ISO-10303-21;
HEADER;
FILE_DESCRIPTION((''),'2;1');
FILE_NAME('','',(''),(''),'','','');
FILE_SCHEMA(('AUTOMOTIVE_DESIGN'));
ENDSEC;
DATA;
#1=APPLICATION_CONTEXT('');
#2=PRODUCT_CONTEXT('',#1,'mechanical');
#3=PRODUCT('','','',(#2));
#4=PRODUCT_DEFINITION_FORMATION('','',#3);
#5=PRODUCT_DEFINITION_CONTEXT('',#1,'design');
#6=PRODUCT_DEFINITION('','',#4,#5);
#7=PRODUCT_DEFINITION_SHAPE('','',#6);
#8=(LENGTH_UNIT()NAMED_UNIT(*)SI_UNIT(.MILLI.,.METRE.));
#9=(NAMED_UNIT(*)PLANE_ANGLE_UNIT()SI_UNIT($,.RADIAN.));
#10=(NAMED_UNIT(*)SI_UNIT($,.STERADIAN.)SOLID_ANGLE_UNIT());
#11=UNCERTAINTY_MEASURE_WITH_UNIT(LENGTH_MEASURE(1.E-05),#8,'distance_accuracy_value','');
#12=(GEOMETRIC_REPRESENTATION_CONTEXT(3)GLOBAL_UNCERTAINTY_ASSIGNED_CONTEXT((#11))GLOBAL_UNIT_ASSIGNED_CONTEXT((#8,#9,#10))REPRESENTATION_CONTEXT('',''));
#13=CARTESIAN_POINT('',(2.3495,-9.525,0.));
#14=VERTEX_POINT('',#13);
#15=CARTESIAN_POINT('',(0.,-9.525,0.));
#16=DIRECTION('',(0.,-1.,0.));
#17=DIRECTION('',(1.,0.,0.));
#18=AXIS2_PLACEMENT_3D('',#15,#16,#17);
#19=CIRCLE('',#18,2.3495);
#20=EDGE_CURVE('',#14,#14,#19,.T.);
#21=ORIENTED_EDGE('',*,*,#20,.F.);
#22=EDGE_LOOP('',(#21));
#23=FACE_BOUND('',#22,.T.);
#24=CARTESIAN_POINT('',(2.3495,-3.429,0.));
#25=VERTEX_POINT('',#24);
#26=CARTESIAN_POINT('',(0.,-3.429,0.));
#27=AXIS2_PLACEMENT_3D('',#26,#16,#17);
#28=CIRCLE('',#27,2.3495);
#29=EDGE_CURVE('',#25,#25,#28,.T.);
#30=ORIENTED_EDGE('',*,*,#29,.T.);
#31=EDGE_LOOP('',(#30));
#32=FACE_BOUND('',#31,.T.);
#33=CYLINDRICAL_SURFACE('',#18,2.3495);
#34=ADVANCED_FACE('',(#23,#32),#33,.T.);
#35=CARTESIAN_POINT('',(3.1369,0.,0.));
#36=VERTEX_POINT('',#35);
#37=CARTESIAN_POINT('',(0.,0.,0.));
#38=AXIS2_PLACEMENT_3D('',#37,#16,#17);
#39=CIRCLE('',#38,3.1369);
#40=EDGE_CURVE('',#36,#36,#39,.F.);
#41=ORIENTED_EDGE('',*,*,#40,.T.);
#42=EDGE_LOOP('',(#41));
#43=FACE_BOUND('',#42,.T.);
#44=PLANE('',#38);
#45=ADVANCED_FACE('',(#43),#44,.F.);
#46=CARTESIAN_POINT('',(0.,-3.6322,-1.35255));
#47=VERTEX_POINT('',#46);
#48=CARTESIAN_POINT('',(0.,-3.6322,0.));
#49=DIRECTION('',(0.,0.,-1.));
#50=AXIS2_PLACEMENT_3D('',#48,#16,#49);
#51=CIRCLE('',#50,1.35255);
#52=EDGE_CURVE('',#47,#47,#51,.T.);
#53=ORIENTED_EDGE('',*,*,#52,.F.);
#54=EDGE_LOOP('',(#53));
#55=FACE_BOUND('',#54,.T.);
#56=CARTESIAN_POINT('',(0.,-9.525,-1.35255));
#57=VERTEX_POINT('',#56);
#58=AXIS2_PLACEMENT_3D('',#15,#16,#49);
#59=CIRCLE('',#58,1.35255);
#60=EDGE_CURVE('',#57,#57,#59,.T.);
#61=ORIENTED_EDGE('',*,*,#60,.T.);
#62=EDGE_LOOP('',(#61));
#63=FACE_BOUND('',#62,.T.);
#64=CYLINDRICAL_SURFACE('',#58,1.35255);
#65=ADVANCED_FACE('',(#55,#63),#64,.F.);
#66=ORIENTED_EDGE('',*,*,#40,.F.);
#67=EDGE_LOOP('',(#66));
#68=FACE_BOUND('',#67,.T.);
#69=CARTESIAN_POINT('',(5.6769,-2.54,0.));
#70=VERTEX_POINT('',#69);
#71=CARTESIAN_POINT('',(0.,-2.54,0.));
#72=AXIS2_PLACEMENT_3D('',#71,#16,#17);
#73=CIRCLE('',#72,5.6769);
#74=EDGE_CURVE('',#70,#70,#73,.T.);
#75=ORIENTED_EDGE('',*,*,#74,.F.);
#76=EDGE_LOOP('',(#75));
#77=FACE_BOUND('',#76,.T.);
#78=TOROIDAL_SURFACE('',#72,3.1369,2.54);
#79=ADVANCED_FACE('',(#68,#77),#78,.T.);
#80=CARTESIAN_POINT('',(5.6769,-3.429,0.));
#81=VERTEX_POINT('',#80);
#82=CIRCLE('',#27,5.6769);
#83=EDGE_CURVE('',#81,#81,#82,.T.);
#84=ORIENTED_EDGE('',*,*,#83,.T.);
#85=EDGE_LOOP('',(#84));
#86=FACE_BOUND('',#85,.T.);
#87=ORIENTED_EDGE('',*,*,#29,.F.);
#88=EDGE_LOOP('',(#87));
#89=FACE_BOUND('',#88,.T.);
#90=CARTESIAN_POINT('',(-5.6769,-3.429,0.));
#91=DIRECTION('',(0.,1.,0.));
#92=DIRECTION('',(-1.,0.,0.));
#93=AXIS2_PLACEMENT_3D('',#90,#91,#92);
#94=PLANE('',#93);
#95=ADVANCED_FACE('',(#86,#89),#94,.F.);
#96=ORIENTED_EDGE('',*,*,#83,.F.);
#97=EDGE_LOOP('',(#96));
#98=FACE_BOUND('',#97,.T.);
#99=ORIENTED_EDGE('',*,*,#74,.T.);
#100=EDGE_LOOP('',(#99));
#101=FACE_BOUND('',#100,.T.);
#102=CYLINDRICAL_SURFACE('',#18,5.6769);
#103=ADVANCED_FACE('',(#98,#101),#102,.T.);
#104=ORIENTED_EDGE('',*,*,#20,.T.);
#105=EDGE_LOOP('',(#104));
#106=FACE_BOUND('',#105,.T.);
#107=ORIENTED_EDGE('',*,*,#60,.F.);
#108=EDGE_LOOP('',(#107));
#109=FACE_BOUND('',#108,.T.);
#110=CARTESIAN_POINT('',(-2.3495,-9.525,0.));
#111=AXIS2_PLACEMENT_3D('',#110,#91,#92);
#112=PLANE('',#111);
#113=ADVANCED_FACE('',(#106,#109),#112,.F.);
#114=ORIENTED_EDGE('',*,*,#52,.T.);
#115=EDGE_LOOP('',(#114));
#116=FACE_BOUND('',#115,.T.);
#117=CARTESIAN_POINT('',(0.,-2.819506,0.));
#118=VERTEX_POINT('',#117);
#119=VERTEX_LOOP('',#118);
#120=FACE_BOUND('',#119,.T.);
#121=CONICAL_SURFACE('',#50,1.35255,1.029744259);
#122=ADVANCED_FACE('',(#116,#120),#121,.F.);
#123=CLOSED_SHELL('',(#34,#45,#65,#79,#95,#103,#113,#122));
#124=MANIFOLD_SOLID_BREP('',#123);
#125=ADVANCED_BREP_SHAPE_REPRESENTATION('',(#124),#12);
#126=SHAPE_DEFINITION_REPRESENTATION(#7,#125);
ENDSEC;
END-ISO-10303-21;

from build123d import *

# Parameters (mm, degrees)
FILLET1_R                 = 2.54
F_6_32_TAPPED_HOLE1_D     = 2.7051
F_6_32_TAPPED_HOLE1_DEPTH = 5.8928
F_6_32_TAPPED_HOLE1_TIP   = 0.81269403


with BuildPart() as part:
    # Sketch1 → Revolve1 (revolve)
    with BuildSketch(Plane.XY, mode=Mode.PRIVATE) as revolve1_sk:
        Polygon((0, 0), (-5.6769, 0), (-5.6769, -3.429), (-2.3495, -3.429), (-2.3495, -9.525), (0, -9.525), align=None)
    revolve(revolve1_sk.sketch.rotate(Axis((0, -9.525, 0), (0, 1, 0)), 180), axis=Axis((0, -9.525, 0), (0, 1, 0)))

    # Fillet1
    fillet1_edges = [part.edges().sort_by_distance(p)[0] for p in [
        (-5.6769, 0, 0),
    ]]
    fillet(fillet1_edges, radius=FILLET1_R)

    # #6-32 Tapped Hole1
    with Locations(Plane.XZ.offset(9.525)):
        with Locations((0, 0)):
            Hole(F_6_32_TAPPED_HOLE1_D / 2, depth=F_6_32_TAPPED_HOLE1_DEPTH)
            with Locations((0, 0, -(F_6_32_TAPPED_HOLE1_DEPTH + F_6_32_TAPPED_HOLE1_TIP / 2))):  # 118° drill point
                Cone(0, F_6_32_TAPPED_HOLE1_D / 2, F_6_32_TAPPED_HOLE1_TIP, mode=Mode.SUBTRACT)


solid = part.part
